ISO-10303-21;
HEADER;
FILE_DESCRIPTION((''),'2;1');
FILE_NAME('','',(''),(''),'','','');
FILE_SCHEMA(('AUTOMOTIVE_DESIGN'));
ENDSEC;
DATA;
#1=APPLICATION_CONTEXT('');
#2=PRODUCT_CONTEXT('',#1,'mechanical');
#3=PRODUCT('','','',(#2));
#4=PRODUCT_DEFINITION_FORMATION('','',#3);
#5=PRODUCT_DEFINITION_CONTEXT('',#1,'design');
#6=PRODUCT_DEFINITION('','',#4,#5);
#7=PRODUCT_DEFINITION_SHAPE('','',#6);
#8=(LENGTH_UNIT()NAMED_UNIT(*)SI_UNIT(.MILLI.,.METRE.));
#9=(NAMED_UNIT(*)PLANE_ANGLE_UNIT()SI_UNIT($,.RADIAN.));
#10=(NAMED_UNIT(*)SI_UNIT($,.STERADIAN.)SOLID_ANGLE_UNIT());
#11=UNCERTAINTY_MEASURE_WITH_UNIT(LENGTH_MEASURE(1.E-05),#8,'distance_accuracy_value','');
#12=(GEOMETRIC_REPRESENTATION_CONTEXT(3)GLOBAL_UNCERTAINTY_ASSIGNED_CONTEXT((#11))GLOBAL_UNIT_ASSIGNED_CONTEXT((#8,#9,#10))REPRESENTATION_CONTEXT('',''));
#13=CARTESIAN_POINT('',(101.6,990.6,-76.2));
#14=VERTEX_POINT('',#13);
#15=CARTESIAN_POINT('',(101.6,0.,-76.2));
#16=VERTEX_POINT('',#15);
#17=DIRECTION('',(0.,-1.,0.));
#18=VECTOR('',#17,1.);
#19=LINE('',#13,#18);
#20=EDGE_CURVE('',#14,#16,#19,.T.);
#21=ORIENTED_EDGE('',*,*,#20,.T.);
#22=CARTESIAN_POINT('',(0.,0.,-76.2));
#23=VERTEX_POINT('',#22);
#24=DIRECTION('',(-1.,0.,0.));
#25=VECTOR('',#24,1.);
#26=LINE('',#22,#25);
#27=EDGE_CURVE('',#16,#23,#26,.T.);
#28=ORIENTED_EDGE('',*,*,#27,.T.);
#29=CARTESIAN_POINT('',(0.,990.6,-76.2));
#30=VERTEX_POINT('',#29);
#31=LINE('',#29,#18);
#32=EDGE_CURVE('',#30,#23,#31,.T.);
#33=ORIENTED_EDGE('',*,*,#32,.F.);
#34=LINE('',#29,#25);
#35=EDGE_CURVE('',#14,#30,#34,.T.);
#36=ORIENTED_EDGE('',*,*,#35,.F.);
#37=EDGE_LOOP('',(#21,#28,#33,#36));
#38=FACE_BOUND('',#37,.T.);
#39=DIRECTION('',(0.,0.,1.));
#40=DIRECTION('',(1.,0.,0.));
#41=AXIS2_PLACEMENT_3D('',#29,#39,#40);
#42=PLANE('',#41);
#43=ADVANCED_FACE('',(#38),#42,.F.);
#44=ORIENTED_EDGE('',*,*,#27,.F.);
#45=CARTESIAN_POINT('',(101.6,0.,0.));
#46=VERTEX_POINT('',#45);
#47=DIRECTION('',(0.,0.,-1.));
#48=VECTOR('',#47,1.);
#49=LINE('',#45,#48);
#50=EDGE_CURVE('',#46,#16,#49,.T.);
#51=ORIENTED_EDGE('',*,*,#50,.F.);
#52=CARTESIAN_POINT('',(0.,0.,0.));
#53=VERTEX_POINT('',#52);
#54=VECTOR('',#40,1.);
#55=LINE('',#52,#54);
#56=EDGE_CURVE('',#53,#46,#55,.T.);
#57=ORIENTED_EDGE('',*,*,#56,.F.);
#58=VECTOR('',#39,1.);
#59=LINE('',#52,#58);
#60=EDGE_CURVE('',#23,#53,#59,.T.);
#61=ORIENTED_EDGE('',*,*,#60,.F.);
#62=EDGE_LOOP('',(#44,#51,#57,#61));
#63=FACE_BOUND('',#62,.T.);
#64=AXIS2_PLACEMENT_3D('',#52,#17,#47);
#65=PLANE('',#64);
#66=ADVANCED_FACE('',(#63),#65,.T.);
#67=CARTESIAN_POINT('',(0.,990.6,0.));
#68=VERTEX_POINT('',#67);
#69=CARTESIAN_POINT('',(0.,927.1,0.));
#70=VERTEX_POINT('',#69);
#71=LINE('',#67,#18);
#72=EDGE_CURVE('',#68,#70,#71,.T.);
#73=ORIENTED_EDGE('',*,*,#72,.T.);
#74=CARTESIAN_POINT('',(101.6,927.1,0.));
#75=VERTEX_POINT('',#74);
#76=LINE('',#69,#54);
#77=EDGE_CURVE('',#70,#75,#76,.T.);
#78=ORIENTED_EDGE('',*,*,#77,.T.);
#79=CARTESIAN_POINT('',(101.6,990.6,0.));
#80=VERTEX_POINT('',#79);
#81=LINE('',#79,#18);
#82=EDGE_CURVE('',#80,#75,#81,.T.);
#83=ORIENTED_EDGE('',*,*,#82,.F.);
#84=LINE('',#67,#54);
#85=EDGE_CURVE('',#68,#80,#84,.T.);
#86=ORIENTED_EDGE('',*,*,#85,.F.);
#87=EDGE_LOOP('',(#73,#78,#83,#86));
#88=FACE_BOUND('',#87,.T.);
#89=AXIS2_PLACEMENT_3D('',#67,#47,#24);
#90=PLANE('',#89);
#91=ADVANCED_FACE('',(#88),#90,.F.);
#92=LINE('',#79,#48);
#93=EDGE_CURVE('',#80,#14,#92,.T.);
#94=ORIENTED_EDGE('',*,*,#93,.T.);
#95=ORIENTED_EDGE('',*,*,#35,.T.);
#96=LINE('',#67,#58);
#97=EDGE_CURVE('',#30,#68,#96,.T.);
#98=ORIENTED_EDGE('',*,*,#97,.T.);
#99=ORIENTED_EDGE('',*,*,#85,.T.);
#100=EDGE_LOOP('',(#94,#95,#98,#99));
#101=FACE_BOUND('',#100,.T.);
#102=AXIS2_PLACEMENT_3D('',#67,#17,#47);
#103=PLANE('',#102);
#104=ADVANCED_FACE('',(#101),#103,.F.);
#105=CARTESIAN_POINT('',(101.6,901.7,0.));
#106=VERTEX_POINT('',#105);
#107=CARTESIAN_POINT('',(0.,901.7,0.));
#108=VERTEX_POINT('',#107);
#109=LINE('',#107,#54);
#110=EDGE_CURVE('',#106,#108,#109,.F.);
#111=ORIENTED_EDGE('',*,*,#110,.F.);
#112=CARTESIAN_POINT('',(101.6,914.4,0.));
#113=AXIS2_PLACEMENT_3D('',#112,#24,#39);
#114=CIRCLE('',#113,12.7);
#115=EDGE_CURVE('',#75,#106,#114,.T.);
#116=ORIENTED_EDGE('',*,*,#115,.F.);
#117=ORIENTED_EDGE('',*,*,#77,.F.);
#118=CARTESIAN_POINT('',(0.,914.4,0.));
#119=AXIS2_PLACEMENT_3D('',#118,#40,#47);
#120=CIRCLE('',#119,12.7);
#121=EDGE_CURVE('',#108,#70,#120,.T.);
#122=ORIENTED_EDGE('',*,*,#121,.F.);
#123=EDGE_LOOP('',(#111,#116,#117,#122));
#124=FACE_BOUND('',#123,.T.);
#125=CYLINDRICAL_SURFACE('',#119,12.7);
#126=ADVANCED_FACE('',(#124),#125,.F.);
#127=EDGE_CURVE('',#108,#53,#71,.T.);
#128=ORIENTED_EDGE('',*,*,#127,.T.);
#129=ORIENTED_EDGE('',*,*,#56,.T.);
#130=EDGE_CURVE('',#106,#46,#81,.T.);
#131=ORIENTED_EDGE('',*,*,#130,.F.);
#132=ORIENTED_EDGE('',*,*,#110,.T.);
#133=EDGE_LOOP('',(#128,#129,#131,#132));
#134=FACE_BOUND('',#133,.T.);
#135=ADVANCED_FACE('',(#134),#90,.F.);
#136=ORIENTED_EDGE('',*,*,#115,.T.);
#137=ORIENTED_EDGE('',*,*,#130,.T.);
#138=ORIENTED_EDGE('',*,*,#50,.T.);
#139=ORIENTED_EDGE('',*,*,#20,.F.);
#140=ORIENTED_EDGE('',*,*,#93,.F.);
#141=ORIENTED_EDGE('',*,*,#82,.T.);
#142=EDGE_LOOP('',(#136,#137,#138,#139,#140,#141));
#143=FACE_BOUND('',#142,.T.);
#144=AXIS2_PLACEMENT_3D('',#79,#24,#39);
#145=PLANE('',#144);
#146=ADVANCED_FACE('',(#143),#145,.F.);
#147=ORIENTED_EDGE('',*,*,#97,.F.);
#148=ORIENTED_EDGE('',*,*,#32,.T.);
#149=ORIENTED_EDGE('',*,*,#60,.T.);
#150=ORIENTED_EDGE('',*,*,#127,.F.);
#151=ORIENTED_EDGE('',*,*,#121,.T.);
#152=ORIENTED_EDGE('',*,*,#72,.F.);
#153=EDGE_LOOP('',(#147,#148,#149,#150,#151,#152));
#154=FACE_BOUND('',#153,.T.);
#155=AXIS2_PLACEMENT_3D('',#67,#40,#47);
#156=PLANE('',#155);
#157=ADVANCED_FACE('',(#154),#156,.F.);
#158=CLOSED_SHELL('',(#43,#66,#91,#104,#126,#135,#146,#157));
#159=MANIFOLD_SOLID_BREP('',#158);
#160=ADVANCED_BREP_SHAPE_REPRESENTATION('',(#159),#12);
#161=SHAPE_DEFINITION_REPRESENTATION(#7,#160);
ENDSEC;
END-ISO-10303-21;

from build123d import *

# Parameters (mm, degrees)
SKETCH1_W           = 101.6
SKETCH1_H           = 76.2
BOSS_EXTRUDE1_DEPTH = 990.6
SKETCH2_R           = 12.7
CUT_EXTRUDE1_DEPTH  = 999.707845168


with BuildPart() as part:
    # Sketch1 → Boss-Extrude1 (new body)
    with BuildSketch(Plane(origin=(0, 0, 0), x_dir=(1, 0, 0), z_dir=(0, 1, 0))):
        with Locations((50.8, 38.1)):
            Rectangle(SKETCH1_W, SKETCH1_H)
    extrude(amount=BOSS_EXTRUDE1_DEPTH)

    # Sketch2 → Cut-Extrude1 (cut, through all)
    with BuildSketch(Plane(origin=(101.6, 0, 0), x_dir=(0, 0, -1), z_dir=(1, 0, 0))):
        with Locations((0, 914.4)):
            Circle(SKETCH2_R)
    extrude(amount=-CUT_EXTRUDE1_DEPTH, mode=Mode.SUBTRACT)


solid = part.part
